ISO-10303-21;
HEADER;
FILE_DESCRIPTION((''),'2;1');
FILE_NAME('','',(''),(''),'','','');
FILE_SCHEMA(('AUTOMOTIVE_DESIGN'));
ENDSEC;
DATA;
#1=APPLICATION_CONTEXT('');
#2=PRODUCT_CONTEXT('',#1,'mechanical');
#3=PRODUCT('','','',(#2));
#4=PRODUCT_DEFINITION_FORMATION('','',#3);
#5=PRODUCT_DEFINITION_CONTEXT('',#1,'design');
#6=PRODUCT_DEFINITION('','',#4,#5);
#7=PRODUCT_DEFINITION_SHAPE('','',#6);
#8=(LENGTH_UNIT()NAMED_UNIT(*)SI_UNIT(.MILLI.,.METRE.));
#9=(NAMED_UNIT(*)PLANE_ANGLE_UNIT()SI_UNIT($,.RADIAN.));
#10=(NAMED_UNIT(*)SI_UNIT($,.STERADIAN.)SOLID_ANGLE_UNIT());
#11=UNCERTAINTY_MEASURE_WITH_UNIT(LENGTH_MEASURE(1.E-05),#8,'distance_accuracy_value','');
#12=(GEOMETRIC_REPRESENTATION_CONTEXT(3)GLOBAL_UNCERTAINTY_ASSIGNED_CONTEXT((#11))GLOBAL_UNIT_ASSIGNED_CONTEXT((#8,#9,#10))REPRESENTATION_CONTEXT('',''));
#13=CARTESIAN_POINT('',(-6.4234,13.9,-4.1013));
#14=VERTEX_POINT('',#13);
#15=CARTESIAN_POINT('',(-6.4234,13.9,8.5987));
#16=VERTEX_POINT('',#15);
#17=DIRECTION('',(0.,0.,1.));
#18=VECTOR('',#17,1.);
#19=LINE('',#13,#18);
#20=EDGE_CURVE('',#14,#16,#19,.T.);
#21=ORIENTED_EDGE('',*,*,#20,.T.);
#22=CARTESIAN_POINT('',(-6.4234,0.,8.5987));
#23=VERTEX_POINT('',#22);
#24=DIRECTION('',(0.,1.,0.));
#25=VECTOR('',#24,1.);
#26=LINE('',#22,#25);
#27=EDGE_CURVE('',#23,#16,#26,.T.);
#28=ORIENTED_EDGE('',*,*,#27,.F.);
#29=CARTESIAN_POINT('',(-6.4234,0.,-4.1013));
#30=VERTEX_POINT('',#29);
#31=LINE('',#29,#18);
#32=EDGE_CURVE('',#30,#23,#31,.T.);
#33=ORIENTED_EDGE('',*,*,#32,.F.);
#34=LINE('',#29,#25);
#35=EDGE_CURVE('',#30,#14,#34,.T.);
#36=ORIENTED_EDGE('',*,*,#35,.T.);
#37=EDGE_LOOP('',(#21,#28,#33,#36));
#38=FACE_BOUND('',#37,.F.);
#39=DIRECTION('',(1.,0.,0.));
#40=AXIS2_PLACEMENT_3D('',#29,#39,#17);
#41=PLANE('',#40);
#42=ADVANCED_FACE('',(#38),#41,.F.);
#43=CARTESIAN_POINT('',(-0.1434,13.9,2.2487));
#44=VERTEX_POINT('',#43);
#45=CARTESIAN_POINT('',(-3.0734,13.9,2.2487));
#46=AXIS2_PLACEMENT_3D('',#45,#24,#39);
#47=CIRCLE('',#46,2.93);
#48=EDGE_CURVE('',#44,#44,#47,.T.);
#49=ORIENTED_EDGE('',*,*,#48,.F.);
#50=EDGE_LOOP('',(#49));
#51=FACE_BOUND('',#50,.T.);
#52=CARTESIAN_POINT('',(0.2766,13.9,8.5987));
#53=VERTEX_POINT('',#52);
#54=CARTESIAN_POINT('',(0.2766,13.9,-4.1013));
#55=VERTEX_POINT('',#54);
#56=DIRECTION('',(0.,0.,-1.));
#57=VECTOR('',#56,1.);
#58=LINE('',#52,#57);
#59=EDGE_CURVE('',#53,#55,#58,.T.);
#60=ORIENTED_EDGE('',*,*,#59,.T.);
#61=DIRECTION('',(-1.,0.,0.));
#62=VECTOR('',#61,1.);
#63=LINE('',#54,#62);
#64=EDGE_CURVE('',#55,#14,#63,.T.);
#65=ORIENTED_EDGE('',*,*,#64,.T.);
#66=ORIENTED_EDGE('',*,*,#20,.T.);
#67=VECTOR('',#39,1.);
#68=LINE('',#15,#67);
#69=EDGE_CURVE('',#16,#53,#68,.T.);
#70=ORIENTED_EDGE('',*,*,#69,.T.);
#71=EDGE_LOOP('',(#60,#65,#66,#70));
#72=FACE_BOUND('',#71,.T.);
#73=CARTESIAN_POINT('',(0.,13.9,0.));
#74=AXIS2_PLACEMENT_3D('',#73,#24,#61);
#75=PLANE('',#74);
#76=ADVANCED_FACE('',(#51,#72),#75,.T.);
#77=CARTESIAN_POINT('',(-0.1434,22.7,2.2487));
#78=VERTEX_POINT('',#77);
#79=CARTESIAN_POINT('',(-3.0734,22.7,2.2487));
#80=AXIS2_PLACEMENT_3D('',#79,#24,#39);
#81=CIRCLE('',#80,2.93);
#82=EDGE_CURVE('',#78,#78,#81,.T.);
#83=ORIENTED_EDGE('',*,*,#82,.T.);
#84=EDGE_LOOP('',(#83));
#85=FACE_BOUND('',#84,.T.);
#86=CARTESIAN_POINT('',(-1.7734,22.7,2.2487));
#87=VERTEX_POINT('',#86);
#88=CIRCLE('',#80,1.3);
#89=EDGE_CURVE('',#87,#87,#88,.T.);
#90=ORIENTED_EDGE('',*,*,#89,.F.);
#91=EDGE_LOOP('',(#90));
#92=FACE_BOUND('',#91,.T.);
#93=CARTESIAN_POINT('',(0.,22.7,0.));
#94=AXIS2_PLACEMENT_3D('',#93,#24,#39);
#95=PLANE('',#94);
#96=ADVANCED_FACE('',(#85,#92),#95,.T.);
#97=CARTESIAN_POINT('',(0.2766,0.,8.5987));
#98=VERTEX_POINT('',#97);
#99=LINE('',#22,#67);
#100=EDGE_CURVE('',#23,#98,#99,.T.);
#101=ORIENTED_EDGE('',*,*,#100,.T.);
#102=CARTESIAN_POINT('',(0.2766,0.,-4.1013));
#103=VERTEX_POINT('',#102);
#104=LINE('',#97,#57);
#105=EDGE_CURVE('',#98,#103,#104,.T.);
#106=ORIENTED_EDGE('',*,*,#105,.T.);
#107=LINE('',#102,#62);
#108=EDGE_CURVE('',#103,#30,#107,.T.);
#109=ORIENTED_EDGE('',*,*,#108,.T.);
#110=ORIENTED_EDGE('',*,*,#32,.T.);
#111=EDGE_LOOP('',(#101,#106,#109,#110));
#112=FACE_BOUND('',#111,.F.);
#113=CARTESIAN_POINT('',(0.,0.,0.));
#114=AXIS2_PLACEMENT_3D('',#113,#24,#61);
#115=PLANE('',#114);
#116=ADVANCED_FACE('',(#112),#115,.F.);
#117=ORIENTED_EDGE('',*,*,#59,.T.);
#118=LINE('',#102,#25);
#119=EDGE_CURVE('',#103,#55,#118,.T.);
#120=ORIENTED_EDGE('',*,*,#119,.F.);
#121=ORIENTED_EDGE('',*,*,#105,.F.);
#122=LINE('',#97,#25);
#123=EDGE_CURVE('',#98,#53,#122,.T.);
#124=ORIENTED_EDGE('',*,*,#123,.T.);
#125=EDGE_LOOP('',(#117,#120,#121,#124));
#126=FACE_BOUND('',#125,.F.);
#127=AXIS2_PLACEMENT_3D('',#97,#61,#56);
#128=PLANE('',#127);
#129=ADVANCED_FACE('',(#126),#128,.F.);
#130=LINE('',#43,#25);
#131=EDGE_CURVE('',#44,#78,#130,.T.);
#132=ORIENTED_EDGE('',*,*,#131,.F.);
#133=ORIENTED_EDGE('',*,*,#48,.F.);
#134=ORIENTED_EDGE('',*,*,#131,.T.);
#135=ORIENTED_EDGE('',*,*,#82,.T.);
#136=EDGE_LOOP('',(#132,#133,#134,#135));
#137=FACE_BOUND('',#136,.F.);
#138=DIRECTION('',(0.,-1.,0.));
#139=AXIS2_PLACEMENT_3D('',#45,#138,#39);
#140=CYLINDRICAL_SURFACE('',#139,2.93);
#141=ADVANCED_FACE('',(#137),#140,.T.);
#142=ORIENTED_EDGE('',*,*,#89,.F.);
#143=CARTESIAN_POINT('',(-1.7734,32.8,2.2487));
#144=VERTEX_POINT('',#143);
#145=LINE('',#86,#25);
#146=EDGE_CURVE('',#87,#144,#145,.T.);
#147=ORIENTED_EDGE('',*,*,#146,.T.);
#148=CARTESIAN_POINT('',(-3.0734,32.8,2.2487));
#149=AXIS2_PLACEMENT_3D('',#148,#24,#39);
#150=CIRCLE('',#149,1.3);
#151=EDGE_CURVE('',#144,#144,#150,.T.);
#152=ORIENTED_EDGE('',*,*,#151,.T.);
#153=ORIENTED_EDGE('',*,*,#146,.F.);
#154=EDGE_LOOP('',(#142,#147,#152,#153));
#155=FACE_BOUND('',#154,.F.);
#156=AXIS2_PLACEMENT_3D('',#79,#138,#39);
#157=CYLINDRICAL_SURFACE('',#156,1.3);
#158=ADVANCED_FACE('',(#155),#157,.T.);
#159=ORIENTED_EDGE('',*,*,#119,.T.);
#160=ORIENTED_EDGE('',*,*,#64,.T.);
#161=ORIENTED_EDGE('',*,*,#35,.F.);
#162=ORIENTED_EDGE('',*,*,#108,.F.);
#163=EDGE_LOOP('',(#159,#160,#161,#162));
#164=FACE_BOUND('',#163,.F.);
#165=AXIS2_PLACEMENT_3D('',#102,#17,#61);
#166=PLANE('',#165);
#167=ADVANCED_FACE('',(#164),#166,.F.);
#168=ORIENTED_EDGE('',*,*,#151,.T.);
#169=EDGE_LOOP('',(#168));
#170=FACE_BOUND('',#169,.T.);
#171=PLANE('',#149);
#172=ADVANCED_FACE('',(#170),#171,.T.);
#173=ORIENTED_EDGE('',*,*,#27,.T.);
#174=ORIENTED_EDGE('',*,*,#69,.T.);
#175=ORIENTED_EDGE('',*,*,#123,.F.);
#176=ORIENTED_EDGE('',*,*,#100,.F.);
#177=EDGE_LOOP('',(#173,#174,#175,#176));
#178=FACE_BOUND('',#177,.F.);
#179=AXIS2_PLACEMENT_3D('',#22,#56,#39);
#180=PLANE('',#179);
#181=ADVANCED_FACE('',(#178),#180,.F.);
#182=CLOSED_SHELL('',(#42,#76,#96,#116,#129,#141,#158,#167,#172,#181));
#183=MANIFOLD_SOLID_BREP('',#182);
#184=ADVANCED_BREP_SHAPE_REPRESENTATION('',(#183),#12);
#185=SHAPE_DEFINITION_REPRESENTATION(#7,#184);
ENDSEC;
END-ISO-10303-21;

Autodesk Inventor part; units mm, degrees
ref_plane "YZ Plane" through (0, 0, 0) normal (1, 0, 0) x (0, 1, 0)
ref_plane "XZ Plane" through (0, 0, 0) normal (0, 1, 0) x (-1, 0, 0)
ref_plane "XY Plane" through (0, 0, 0) normal (0, 0, 1) x (1, 0, 0)
sketch "Sketch1" plane through (0, 0, 0) normal (0, 1, 0) x (-1, 0, 0)
  line L0 (6.4234, 8.5987) -> (-0.2766, 8.5987)
  line L1 (-0.2766, 8.5987) -> (-0.2766, -4.1013)
  line L2 (-0.2766, -4.1013) -> (6.4234, -4.1013)
  line L3 (6.4234, -4.1013) -> (6.4234, 8.5987)
  point P0 (0, 0)
  dimension "d0" = 6.7
  dimension "d1" = 12.7
extrude "Extrusion1" add sketch "Sketch1" along normal blind 13.9
sketch "Sketch2" plane through (0, 13.9, 0) normal (0, 1, 0) x (1, 0, 0)
  circle A0 centre (-3.0734, -2.2487) radius 2.93
  point P0 (0, 0)
  point P1 (-6.4234, -8.5987)
  point P2 (0.2766, -8.5987)
  point P3 (-6.4234, 4.1013)
  dimension "d4" = 5.86
extrude "Extrusion2" add sketch "Sketch2" along normal blind 8.8
sketch "Sketch3" plane through (-3.0734, 22.7, 2.2487) normal (0, 1, 0) x (1, 0, 0)
  circle A0 centre (0, 0) radius 1.3
  point P0 (3.0734, 2.2487)
  dimension "d7" = 2.6
extrude "Extrusion3" add sketch "Sketch3" along normal blind 10.1
properties part number "Switch"
